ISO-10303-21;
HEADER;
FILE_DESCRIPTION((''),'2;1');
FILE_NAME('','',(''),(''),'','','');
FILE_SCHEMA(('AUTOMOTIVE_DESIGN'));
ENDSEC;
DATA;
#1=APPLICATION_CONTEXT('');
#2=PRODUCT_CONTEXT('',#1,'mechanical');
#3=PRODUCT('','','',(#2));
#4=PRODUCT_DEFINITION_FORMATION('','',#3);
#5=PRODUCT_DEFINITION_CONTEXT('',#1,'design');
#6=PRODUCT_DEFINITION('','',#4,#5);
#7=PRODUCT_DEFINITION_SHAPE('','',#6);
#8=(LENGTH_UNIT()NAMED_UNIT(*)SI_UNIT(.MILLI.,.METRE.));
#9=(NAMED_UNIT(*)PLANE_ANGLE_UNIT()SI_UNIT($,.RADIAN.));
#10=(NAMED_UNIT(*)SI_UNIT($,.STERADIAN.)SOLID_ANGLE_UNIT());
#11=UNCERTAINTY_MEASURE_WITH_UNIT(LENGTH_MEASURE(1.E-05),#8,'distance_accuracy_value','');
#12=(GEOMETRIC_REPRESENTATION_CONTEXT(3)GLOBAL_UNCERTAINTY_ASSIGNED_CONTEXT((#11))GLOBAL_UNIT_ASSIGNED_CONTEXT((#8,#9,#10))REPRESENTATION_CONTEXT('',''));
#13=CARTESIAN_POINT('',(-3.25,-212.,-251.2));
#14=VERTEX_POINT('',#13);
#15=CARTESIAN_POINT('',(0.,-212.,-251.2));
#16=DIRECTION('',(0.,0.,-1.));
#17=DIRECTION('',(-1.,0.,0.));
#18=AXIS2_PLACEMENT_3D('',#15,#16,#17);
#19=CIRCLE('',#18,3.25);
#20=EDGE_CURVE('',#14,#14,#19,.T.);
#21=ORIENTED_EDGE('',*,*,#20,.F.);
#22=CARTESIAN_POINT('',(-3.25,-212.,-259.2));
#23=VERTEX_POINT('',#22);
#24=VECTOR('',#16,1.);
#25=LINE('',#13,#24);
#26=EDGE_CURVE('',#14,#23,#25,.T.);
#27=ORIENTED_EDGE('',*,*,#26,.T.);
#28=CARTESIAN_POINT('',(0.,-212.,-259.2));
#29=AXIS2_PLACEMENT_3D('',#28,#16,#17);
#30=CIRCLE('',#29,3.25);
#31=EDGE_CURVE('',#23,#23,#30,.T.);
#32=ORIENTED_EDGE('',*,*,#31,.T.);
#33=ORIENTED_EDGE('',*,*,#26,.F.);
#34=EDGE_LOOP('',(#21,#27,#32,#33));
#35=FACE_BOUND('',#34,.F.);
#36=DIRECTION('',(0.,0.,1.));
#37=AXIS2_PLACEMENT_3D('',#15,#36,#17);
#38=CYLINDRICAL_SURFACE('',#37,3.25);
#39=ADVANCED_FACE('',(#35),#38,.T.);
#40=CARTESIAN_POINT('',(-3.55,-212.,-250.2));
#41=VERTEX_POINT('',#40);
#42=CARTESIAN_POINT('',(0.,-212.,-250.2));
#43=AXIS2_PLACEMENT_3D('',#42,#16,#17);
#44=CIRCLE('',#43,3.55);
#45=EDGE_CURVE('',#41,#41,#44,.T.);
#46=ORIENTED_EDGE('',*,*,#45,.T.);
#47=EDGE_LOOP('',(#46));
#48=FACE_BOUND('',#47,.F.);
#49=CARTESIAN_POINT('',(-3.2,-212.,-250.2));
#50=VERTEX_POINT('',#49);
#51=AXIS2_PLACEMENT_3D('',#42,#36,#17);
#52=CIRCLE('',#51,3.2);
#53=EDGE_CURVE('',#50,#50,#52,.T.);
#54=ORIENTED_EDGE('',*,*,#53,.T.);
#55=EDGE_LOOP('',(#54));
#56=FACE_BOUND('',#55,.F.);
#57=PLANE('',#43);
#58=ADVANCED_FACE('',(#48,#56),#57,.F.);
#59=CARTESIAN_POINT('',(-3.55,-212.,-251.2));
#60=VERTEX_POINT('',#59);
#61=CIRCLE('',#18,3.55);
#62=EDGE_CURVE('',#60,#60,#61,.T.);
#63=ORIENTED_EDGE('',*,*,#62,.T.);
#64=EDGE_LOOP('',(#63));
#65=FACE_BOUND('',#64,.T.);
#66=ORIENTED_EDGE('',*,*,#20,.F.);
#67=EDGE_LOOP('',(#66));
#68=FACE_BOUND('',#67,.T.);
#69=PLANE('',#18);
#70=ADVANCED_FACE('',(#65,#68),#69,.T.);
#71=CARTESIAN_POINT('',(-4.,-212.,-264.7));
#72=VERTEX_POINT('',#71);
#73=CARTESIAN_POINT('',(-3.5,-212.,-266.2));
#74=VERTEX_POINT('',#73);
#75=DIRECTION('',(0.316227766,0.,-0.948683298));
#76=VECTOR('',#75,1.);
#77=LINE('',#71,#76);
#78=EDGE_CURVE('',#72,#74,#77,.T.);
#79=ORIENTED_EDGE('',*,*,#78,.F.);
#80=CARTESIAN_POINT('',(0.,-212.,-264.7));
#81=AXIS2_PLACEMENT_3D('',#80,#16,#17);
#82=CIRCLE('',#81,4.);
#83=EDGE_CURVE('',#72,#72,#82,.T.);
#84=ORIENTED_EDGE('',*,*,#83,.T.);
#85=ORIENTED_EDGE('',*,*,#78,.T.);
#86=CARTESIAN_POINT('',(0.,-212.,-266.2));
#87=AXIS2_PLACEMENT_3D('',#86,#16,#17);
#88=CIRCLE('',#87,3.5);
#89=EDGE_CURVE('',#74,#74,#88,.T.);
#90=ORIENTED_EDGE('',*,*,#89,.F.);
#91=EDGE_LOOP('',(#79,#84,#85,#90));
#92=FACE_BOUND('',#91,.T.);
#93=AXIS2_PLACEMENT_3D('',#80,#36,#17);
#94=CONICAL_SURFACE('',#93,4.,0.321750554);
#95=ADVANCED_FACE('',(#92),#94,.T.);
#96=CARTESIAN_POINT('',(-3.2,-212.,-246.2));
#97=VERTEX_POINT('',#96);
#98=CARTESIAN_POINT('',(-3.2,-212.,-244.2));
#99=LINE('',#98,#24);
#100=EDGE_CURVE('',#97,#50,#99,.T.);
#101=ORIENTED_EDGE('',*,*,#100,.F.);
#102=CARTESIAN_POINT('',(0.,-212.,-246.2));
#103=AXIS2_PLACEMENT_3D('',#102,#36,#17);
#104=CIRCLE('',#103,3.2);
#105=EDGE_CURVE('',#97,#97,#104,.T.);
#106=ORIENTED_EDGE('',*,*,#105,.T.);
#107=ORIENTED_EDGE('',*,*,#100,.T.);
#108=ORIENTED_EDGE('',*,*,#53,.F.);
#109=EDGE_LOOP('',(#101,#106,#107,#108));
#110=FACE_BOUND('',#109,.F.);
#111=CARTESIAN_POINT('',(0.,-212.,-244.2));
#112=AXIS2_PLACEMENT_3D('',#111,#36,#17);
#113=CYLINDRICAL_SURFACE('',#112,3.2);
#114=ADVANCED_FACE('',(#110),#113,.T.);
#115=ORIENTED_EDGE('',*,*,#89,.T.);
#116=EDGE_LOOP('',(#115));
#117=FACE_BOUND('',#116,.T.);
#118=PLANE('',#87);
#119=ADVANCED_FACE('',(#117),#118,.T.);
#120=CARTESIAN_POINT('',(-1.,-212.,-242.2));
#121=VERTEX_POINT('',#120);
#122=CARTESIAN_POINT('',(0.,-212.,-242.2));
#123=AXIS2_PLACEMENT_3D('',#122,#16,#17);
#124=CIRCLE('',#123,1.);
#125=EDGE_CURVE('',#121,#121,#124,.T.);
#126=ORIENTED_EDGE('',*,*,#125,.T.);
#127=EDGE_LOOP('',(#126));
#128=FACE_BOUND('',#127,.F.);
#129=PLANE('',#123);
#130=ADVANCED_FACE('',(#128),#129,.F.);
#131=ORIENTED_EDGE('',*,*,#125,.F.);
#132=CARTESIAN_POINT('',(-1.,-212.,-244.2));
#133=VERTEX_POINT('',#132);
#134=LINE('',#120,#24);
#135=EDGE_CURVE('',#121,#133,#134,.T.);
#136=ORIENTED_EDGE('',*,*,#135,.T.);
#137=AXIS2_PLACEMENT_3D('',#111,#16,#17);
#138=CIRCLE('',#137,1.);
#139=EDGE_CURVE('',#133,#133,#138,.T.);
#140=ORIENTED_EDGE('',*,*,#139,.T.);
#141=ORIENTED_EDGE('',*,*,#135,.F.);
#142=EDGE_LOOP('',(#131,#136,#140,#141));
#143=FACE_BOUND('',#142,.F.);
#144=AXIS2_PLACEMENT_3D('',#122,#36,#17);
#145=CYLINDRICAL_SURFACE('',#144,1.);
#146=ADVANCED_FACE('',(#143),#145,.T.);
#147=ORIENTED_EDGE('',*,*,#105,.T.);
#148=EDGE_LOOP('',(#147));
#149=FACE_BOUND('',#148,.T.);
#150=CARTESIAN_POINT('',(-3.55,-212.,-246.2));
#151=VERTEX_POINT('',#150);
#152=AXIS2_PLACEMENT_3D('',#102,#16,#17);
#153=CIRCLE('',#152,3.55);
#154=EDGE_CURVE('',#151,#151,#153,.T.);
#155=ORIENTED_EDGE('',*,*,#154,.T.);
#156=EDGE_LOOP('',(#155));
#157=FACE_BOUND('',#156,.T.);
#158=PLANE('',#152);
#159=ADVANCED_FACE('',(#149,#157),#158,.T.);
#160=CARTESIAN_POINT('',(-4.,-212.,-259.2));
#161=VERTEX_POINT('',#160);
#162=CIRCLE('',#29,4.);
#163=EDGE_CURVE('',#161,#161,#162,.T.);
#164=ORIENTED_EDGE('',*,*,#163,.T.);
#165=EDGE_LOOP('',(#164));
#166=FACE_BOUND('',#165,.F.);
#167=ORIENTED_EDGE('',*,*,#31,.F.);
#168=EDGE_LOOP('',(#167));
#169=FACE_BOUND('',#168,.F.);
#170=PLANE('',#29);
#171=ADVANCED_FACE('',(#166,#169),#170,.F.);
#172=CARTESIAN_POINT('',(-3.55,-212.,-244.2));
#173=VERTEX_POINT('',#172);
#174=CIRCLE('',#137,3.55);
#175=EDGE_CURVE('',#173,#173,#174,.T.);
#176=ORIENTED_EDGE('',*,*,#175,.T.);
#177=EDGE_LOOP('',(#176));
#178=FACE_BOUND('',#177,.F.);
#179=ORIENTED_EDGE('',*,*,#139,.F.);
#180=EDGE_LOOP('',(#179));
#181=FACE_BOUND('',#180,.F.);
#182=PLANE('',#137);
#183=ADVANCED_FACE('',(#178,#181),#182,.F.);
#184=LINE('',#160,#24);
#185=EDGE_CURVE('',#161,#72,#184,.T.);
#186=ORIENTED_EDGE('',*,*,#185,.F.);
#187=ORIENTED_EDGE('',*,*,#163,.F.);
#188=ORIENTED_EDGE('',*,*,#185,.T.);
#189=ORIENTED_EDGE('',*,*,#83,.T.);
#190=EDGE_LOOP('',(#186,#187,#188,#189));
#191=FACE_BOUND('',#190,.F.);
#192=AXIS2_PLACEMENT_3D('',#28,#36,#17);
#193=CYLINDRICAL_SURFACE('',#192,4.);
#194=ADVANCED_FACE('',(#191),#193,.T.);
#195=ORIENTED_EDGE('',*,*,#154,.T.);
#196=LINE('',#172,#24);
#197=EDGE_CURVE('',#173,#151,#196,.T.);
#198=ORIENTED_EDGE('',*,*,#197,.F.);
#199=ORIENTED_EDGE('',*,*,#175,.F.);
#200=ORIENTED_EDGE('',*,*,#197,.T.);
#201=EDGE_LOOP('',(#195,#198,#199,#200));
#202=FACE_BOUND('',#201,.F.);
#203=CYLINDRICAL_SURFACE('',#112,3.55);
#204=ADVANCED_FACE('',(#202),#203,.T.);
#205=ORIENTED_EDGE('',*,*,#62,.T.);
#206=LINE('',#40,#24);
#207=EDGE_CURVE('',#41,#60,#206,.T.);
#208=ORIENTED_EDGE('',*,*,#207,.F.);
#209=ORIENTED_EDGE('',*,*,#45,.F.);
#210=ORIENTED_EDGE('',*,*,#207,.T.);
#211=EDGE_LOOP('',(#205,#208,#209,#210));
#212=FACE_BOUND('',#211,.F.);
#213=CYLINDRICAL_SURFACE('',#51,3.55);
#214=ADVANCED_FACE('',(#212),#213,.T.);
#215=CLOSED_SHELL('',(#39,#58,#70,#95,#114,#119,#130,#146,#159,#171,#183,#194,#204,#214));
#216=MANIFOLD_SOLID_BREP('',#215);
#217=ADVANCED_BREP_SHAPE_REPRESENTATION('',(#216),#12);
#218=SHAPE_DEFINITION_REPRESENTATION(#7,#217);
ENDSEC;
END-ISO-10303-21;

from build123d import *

# Parameters (mm, degrees)
CYLINDER020_R             = 3.2
CYLINDER020_DEPTH         = 22
CYLINDER021_R             = 3.55
CYLINDER021_DEPTH         = 2
CYLINDER022_R             = 3.55
CYLINDER022_DEPTH         = 1
CYLINDER023_R             = 3.25
CYLINDER023_DEPTH         = 8
CYLINDER024_R             = 4
CYLINDER024_DEPTH         = 5.5
CYLINDER025_R             = 1
CYLINDER025_DEPTH         = 2
FUSION055_PLACEMENT_ANGLE = 180


with BuildPart() as cylinder020:
    # Cylinder020 → Cylinder020 (new body)
    with BuildSketch(Plane.XY.offset(5)):
        Circle(CYLINDER020_R)
    extrude(amount=CYLINDER020_DEPTH)


with BuildPart() as cylinder021:
    # Cylinder021 → Cylinder021 (new body)
    with BuildSketch(Plane.XY.offset(5)):
        Circle(CYLINDER021_R)
    extrude(amount=CYLINDER021_DEPTH)


with BuildPart() as cylinder022:
    # Cylinder022 → Cylinder022 (new body)
    with BuildSketch(Plane.XY.offset(11)):
        Circle(CYLINDER022_R)
    extrude(amount=CYLINDER022_DEPTH)


with BuildPart() as cylinder023:
    # Cylinder023 → Cylinder023 (new body)
    with BuildSketch(Plane.XY.offset(12)):
        Circle(CYLINDER023_R)
    extrude(amount=CYLINDER023_DEPTH)


with BuildPart() as cylinder024:
    # Cylinder024 → Cylinder024 (new body)
    with BuildSketch(Plane.XY.offset(20)):
        Circle(CYLINDER024_R)
    extrude(amount=CYLINDER024_DEPTH)


with BuildPart() as fusion002:
    # Cone → Cone (revolve)
    with BuildSketch(Plane(origin=(0, 0, 25.5), x_dir=(1, 0, 0), z_dir=(0, -1, 0))):
        Polygon((0, 0), (4, 0), (3.5, 1.5), (0, 1.5), align=None)
    revolve(axis=Axis((0, 0, 25.5), (0, 0, 1)))

    # Fusion002: union Cylinder020, Cylinder021, Cylinder022, Cylinder023, Cylinder024
    add(cylinder020.part)
    add(cylinder021.part)
    add(cylinder022.part)
    add(cylinder023.part)
    add(cylinder024.part)


with BuildPart() as mic:
    # Cylinder025 → Cylinder025 (new body)
    with BuildSketch(Plane.XY.offset(3)):
        Circle(CYLINDER025_R)
    extrude(amount=CYLINDER025_DEPTH)

    # Fusion055: union Fusion002
    add(fusion002.part)


with BuildPart() as mic_1:
    # Fusion055 placement: moved
    add(mic.part.moved(Location((0, -212, -239.2))).rotate(Axis((0, -212, -239.2), (0, 1, 0)), FUSION055_PLACEMENT_ANGLE))


solid = mic_1.part
